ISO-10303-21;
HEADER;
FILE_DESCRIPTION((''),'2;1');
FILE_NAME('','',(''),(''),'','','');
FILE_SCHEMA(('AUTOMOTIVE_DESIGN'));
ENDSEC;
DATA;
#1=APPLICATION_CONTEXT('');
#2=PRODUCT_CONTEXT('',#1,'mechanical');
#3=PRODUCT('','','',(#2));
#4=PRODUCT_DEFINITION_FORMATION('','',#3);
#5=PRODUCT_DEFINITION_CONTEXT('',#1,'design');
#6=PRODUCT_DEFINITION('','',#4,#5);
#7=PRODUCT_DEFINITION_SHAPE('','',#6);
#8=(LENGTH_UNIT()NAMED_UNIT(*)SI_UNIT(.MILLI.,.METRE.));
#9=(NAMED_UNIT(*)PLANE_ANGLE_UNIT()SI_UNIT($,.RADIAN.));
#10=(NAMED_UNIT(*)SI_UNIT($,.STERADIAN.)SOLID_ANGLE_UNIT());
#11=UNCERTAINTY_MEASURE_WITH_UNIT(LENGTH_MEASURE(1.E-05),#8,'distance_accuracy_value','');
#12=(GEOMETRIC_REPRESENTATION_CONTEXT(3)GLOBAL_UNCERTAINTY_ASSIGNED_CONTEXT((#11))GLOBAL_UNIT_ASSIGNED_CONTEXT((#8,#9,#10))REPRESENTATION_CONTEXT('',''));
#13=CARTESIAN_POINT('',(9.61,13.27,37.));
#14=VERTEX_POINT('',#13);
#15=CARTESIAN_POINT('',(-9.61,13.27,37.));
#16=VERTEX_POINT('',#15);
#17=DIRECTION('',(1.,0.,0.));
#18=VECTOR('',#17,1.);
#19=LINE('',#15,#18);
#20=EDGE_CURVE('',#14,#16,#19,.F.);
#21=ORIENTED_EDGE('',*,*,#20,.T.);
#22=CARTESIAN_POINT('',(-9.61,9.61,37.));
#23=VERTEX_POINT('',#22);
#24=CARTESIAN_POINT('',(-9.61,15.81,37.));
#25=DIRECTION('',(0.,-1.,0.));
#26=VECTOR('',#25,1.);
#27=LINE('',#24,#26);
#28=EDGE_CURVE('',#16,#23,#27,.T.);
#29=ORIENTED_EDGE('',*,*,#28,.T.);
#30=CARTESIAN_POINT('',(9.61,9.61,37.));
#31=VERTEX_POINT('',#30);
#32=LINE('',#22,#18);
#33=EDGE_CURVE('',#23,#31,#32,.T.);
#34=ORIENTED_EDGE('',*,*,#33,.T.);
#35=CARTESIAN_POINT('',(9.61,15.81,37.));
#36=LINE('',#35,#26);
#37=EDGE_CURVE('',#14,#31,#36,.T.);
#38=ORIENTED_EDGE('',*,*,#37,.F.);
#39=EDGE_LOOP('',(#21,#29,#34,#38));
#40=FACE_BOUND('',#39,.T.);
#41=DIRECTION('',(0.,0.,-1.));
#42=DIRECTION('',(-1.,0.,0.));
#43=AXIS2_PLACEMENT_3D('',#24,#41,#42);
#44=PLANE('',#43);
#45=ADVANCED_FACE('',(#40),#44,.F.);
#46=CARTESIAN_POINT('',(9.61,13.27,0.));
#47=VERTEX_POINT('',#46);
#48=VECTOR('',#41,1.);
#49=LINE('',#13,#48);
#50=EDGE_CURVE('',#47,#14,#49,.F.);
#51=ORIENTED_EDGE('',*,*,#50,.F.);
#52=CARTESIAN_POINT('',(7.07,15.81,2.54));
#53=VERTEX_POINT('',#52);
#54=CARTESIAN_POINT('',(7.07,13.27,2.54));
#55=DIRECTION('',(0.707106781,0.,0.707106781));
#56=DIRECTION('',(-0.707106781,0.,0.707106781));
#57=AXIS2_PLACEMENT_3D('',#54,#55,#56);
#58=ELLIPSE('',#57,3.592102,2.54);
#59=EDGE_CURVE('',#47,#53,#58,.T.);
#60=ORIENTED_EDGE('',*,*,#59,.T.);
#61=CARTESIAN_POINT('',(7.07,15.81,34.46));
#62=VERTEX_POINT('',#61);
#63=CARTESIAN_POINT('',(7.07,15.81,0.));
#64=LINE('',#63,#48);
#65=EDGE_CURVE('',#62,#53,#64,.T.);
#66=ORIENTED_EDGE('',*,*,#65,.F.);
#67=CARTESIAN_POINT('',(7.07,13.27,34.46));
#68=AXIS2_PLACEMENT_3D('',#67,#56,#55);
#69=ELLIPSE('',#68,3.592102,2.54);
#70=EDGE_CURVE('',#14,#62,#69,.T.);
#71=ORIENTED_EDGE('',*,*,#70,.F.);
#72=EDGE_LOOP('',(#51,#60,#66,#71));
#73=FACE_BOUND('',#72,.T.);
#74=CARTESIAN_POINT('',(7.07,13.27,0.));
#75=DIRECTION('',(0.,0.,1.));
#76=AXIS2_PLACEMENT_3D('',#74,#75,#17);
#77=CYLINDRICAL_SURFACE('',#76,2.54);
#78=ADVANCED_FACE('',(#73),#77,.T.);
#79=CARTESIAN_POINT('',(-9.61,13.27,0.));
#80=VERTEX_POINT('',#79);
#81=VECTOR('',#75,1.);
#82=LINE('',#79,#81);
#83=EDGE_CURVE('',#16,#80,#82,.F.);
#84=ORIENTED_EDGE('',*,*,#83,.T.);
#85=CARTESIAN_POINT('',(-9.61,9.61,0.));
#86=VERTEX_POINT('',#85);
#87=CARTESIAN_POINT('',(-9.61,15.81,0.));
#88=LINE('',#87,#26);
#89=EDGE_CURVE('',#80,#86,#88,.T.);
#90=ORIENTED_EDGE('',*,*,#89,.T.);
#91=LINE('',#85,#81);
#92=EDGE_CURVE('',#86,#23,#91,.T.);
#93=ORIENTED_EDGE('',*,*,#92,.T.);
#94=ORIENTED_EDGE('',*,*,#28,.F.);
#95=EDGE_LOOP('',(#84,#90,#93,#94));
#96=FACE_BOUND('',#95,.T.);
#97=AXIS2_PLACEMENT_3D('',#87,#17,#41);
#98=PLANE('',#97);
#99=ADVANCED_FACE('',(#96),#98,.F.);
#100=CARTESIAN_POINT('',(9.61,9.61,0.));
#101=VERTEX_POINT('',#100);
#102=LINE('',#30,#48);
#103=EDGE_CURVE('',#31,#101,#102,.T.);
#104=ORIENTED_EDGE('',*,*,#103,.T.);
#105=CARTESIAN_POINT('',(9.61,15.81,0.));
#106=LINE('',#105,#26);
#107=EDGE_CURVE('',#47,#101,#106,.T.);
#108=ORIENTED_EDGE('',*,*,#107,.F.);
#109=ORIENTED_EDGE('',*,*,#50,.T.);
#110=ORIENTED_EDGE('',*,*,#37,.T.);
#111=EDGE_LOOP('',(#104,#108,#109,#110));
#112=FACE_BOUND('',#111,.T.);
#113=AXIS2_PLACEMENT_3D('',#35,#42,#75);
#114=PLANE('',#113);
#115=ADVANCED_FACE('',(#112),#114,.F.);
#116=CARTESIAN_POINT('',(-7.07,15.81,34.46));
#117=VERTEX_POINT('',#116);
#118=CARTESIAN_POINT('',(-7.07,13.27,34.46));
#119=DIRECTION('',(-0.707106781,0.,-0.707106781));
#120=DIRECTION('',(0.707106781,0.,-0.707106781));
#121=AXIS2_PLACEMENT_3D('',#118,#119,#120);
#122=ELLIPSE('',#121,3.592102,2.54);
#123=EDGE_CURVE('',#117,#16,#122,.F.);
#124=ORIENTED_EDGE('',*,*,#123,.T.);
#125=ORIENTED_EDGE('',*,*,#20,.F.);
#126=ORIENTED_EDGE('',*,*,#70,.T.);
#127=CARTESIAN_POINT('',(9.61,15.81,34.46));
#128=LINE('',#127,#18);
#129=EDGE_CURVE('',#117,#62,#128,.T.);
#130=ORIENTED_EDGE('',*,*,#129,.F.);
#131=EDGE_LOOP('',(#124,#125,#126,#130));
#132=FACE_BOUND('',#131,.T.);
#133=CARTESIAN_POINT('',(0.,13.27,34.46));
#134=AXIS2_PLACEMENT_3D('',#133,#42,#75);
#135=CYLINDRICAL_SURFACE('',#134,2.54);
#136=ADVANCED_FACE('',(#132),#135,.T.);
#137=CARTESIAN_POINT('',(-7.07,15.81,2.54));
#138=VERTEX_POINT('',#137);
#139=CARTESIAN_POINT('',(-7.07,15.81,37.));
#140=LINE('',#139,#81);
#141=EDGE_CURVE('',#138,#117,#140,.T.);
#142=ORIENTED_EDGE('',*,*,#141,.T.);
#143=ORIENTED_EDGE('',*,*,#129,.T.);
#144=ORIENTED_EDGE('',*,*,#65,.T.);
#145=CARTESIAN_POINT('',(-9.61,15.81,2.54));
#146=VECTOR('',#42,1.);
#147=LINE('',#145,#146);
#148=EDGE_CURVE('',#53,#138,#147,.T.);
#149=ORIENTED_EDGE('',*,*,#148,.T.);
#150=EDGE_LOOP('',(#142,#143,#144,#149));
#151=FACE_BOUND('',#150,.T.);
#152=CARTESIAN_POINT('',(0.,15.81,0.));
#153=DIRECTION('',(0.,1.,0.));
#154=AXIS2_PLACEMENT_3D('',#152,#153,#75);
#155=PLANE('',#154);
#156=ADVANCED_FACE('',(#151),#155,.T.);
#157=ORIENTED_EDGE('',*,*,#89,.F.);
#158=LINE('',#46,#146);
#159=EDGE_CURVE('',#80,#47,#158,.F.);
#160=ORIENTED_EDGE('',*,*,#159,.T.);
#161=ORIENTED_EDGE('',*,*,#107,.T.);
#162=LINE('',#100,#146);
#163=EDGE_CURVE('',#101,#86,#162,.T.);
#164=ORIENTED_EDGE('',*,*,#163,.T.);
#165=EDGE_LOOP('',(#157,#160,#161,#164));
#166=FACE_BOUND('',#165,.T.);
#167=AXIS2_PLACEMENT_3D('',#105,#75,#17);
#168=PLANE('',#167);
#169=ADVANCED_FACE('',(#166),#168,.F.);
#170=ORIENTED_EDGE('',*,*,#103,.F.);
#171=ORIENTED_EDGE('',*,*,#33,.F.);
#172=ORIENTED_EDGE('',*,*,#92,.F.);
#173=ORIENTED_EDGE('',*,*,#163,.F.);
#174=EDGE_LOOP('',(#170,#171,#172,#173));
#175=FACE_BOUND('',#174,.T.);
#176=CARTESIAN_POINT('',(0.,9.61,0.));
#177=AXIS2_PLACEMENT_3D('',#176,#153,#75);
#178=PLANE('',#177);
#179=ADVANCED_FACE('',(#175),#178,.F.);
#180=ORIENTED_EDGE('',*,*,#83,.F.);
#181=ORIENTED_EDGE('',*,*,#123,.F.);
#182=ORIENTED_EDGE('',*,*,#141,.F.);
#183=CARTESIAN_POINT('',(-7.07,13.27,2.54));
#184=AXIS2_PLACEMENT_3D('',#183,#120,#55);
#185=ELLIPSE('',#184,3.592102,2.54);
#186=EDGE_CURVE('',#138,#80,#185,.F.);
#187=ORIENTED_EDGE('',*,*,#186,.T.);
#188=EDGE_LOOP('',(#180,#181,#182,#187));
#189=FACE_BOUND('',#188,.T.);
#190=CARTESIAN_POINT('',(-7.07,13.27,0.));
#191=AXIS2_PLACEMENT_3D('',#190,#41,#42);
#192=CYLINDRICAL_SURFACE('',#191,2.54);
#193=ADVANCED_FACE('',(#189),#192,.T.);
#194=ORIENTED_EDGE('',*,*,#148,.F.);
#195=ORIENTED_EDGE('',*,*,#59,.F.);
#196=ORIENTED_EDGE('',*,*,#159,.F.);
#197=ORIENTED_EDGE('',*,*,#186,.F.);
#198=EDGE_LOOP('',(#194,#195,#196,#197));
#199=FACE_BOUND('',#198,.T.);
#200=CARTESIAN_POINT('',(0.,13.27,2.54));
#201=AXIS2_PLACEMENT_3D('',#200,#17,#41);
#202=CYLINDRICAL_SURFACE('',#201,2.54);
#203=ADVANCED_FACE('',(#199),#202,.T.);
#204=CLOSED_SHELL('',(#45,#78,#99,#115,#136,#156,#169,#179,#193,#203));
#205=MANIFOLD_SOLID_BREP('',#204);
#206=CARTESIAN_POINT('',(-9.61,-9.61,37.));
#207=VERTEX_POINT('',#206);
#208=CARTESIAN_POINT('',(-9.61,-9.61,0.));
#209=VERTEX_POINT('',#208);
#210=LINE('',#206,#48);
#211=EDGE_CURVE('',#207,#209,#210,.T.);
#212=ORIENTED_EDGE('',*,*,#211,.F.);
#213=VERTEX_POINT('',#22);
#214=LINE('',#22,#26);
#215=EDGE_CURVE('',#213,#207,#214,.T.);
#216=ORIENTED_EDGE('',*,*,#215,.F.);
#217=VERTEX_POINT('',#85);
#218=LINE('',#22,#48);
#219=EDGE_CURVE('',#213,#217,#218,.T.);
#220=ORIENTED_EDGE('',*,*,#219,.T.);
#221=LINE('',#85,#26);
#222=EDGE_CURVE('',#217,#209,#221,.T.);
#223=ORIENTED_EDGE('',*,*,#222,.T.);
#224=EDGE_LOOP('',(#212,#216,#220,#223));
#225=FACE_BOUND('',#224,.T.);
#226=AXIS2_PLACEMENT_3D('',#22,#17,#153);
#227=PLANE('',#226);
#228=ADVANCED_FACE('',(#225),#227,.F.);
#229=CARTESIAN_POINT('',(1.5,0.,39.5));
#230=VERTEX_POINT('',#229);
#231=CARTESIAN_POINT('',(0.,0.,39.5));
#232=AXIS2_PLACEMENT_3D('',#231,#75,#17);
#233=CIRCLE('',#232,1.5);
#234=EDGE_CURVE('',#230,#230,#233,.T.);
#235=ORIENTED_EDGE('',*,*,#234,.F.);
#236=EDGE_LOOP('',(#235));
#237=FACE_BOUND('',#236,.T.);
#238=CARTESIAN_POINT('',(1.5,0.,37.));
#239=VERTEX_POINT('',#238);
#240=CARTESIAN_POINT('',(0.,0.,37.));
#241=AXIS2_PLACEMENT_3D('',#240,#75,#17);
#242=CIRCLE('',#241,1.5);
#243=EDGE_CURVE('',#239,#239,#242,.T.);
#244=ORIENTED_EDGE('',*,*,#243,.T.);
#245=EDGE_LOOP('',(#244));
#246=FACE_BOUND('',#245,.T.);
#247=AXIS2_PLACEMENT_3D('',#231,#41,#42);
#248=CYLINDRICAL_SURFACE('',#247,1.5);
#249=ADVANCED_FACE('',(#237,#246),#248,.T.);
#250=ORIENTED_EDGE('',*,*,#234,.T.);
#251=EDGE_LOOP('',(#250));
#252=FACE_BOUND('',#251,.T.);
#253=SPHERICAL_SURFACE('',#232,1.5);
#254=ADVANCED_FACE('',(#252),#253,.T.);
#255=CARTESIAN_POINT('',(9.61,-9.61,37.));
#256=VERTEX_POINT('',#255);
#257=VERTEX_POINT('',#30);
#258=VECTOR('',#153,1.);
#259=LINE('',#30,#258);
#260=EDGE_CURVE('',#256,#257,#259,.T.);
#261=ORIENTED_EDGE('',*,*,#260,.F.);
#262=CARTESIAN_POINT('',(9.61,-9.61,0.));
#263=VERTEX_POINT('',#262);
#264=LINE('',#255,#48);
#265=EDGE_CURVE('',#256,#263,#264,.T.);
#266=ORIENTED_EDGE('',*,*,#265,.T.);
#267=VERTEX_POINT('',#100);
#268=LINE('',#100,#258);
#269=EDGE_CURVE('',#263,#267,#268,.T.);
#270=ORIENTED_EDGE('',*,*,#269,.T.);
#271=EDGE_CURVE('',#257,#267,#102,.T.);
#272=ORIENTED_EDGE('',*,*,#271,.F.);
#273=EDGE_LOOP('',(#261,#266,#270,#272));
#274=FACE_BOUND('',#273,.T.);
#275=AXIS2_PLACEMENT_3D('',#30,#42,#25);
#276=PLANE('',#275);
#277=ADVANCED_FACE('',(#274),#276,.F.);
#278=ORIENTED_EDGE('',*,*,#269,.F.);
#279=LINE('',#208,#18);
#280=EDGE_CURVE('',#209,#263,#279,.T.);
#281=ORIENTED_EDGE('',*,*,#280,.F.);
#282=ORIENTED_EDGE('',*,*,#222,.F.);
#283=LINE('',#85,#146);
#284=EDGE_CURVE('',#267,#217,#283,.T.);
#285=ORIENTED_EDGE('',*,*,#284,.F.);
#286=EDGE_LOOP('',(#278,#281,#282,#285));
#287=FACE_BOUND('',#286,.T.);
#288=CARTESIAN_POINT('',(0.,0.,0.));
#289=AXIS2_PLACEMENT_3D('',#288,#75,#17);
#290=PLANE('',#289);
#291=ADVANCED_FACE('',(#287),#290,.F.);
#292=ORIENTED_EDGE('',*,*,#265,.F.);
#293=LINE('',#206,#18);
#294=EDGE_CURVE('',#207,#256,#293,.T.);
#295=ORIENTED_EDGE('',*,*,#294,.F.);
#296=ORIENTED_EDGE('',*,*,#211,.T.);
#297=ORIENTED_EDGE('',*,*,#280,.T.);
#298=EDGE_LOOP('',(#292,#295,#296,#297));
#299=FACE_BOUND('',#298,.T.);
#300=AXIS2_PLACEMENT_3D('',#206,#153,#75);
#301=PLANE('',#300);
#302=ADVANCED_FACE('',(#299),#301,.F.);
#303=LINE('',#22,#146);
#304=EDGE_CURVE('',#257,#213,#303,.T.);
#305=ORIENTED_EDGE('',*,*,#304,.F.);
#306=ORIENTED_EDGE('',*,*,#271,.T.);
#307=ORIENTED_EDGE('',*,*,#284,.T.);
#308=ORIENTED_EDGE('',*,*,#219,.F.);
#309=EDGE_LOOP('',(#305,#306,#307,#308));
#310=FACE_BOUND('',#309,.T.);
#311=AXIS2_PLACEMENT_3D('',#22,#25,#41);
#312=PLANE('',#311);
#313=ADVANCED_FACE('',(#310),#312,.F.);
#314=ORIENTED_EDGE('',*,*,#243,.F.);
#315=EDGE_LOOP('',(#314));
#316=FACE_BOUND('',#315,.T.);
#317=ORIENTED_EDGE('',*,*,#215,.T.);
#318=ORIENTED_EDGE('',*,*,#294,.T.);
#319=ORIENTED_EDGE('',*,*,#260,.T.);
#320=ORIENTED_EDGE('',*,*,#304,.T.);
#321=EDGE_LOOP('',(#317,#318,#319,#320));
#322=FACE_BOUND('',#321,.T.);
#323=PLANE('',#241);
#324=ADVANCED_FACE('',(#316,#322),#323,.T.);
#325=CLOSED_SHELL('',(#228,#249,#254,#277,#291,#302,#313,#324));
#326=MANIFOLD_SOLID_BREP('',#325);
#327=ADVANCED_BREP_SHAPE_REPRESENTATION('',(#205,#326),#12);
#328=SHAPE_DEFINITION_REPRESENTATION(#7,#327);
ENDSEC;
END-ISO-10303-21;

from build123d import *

# Parameters (mm, degrees)
SKETCH1_W           = 19.22
SKETCH1_H           = 19.22
BOSS_EXTRUDE1_DEPTH = 37
SKETCH3_R           = 1.5
BOSS_EXTRUDE2_DEPTH = 2.5
DOME1_FACE_RADIUS   = 1.5
DOME1_HEIGHT        = 1.5
SKETCH4_W           = 19.22
SKETCH4_H           = 37
BOSS_EXTRUDE3_DEPTH = 6.2
FILLET1_R           = 2.54


with BuildPart() as part:
    # Sketch1 → Boss-Extrude1 (new body)
    with BuildSketch(Plane.XY):
        Rectangle(SKETCH1_W, SKETCH1_H)
    extrude(amount=BOSS_EXTRUDE1_DEPTH)

    # Sketch3 → Boss-Extrude2 (add)
    with BuildSketch(Plane.XY.offset(37)):
        Circle(SKETCH3_R)
    extrude(amount=BOSS_EXTRUDE2_DEPTH)

    # Dome1: a dome of height H over a round flat face of radius A is a cap of a sphere of radius (A * A + H * H) / (2 * H)
    dome1_r = (DOME1_FACE_RADIUS * DOME1_FACE_RADIUS + DOME1_HEIGHT * DOME1_HEIGHT) / (2 * DOME1_HEIGHT)
    dome1_base = Plane((0, 0, 39.5), z_dir=(0, 0, 1))
    with Locations(dome1_base.offset(DOME1_HEIGHT - dome1_r)):
        dome1_ball = Sphere(dome1_r, mode=Mode.PRIVATE)
    add(split(dome1_ball, bisect_by=dome1_base, keep=Keep.TOP, mode=Mode.PRIVATE))


with BuildPart() as body_2:
    # Sketch4 → Boss-Extrude3 (new body)
    with BuildSketch(Plane(origin=(0, 9.61, 0), x_dir=(1, 0, 0), z_dir=(0, 1, 0))):
        with Locations((0, -18.5)):
            Rectangle(SKETCH4_W, SKETCH4_H)
    extrude(amount=BOSS_EXTRUDE3_DEPTH)

    # Fillet1
    fillet1_edges = [body_2.edges().sort_by_distance(p)[0] for p in [
        (-9.61, 15.81, 18.5),
        (0, 15.81, 37),
        (9.61, 15.81, 18.5),
        (0, 15.81, 0),
    ]]
    fillet(fillet1_edges, radius=FILLET1_R)


solid = Compound([part.part, body_2.part])
